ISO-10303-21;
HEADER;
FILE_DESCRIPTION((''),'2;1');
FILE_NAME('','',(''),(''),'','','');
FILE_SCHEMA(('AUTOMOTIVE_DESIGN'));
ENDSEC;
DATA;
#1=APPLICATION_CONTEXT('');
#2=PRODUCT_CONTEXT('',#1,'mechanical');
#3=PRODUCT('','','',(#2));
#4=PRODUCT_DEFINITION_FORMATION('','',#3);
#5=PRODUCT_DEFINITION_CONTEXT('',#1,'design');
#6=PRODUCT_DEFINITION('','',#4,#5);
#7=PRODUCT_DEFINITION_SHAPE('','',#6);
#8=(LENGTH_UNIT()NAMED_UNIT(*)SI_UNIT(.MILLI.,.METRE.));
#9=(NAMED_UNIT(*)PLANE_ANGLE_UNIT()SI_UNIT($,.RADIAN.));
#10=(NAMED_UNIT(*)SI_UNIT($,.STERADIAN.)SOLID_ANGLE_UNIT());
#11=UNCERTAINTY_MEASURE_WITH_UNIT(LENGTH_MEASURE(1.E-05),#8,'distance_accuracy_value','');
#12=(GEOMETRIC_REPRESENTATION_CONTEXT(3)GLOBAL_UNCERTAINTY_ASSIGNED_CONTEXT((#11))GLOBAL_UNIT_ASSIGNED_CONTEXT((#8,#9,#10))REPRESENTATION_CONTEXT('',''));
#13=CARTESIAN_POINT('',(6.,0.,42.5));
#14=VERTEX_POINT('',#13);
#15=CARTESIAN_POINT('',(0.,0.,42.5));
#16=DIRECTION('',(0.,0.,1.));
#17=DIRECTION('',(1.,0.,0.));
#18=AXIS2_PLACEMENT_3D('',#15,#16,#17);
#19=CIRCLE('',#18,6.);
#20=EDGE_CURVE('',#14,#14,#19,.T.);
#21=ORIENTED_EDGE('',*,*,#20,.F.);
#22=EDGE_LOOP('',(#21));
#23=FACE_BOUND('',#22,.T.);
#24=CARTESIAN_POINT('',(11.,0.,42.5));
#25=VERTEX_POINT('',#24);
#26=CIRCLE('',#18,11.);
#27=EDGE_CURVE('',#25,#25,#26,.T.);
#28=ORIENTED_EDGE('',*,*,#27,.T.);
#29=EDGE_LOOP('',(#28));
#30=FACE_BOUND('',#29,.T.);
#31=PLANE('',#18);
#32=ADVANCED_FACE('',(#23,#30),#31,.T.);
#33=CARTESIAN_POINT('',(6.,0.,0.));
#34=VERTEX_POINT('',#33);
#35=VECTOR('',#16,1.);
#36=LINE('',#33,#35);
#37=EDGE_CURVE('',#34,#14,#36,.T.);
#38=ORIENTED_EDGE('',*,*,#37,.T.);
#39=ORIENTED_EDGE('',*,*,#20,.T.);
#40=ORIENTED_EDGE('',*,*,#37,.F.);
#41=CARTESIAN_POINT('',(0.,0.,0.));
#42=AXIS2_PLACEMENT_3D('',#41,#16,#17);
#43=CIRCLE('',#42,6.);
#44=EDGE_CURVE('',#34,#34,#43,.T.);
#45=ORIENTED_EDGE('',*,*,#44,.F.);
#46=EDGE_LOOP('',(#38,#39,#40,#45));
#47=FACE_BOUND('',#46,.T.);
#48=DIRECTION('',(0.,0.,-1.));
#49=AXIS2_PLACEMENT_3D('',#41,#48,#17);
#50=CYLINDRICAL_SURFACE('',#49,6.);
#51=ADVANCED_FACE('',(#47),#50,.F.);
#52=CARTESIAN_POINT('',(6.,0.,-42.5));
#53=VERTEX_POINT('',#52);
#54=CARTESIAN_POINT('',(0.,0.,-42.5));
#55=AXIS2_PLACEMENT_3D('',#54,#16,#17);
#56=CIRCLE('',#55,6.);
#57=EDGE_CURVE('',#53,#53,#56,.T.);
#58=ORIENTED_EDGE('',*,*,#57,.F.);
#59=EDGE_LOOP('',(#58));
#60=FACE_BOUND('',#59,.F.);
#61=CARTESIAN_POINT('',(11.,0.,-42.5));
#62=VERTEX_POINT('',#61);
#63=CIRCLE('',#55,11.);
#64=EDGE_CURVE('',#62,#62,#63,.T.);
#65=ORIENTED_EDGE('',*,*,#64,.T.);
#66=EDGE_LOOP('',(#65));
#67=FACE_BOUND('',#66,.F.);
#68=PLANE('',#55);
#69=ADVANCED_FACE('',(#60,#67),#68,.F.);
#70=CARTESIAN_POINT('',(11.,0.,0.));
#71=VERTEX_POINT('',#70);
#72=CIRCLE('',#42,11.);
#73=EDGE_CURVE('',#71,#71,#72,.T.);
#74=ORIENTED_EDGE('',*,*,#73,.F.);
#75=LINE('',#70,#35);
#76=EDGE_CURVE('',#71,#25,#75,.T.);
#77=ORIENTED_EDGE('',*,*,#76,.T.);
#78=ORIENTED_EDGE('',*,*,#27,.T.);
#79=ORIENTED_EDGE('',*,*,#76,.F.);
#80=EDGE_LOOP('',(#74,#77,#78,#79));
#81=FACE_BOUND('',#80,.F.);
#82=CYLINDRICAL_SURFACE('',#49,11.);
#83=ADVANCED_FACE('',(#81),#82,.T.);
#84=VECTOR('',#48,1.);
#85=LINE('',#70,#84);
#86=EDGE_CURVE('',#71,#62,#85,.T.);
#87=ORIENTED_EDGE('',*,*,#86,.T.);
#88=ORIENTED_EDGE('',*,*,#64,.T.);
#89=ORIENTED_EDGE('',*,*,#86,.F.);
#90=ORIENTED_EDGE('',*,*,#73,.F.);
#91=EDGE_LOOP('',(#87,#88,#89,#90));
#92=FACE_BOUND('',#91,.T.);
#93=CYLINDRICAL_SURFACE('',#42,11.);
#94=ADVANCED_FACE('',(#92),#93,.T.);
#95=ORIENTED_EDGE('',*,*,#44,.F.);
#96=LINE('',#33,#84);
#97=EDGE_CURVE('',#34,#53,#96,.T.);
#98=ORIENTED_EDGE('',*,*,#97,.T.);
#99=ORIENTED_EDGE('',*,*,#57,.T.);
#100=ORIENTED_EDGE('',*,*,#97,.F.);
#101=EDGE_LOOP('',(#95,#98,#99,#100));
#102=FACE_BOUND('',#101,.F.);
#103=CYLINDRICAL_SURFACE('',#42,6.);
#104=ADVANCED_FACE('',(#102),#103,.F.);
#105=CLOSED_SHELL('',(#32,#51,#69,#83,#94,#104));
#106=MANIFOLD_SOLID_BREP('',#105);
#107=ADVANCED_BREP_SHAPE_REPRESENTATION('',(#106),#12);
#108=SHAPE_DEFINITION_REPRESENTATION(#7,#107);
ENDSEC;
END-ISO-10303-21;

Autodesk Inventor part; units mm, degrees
ref_plane "YZ Plane" through (0, 0, 0) normal (1, 0, 0) x (0, 1, 0)
ref_plane "XZ Plane" through (0, 0, 0) normal (0, 1, 0) x (-1, 0, 0)
ref_plane "XY Plane" through (0, 0, 0) normal (0, 0, 1) x (1, 0, 0)
sketch "Esboço2" plane through (0, 0, 0) normal (0, 0, 1) x (1, 0, 0)
  circle A0 centre (0, 0) radius 6
  circle A1 centre (0, 0) radius 11
  dimension "d4" = 12
  dimension "d5" = 22
extrude "Extrusão2" add sketch "Esboço2" along normal mid plane 85
properties part number "Pino_Pistão"
